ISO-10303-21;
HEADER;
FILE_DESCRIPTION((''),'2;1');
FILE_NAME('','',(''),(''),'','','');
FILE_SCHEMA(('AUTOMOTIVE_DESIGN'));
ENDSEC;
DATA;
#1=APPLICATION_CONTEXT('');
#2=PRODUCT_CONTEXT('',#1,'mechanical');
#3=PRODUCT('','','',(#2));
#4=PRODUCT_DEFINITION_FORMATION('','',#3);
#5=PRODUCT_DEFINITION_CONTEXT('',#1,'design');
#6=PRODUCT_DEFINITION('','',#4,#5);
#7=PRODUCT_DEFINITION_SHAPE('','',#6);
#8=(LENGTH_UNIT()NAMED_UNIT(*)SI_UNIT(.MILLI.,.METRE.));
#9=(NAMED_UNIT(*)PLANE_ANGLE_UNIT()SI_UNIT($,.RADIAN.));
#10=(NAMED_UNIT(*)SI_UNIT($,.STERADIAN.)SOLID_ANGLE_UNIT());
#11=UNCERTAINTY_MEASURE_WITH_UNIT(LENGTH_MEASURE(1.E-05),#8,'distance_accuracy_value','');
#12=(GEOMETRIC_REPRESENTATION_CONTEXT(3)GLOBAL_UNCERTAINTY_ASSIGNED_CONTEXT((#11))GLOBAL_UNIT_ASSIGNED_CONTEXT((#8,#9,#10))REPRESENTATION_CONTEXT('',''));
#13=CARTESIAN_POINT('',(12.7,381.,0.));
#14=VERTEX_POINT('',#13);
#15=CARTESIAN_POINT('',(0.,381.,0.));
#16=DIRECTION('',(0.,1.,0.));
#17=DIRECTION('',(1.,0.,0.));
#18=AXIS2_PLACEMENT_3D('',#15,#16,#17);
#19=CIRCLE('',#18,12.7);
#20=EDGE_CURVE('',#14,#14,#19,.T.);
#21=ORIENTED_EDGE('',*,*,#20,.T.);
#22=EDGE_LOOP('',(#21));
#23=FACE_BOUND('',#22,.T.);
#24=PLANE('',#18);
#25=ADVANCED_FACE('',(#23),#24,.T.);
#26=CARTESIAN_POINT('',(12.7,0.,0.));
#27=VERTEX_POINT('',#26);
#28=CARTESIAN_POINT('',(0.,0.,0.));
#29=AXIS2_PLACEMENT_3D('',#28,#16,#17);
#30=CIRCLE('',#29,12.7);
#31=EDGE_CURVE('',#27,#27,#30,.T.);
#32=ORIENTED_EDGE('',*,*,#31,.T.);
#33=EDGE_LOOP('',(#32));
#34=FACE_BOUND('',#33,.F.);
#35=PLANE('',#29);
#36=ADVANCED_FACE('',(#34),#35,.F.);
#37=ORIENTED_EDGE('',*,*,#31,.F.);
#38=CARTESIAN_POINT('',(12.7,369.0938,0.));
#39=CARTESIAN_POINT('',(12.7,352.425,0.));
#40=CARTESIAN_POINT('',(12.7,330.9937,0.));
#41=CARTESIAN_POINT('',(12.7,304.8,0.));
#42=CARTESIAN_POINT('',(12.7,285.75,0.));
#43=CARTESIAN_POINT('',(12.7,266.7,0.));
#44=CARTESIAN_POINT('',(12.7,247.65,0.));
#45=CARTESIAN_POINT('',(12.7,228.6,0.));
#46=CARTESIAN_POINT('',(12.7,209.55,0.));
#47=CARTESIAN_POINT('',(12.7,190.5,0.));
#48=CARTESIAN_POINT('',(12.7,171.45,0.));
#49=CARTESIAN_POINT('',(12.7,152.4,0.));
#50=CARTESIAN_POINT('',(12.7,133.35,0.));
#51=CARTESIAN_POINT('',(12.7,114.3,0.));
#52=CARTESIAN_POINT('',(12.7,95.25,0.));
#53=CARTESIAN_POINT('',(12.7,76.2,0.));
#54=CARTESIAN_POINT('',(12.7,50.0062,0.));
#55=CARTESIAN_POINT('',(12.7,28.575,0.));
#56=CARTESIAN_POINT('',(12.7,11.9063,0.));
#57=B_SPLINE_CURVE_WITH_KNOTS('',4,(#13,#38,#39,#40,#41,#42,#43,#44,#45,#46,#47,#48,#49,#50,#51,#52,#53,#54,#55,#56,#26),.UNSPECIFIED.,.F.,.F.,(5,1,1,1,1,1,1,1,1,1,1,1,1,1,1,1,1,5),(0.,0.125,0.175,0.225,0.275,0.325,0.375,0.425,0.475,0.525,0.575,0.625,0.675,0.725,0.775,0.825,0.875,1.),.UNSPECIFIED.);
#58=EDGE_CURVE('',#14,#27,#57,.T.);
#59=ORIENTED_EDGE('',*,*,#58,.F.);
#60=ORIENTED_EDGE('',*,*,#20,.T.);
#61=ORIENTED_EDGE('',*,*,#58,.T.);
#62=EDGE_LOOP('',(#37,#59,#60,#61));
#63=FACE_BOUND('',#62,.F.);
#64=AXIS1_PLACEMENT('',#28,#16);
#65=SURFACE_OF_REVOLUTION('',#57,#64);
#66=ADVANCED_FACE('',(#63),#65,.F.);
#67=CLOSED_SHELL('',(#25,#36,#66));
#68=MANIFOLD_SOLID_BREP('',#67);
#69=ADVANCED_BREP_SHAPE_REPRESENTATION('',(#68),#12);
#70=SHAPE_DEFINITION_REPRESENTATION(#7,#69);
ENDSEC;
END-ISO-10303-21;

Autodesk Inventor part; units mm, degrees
ref_plane "YZ Plane" through (0, 0, 0) normal (1, 0, 0) x (0, 1, 0)
ref_plane "XZ Plane" through (0, 0, 0) normal (0, 1, 0) x (-1, 0, 0)
ref_plane "XY Plane" through (0, 0, 0) normal (0, 0, 1) x (1, 0, 0)
sketch "bore revolve" plane through (0, 0, 0) normal (0, 0, 1) x (1, 0, 0)
  line L0 (12.7, 381) -> (0, 381)
  line L1 (12.7, 0) -> (0, 0)
  line L2 (0, 0) -> (0, 381)
  spline S0 degree 4 poles (12.7, 381) (12.7, 369.0938) (12.7, 352.425) (12.7, 330.9937) (12.7, 304.8) (12.7, 285.75) (12.7, 266.7) (12.7, 247.65) (12.7, 228.6) (12.7, 209.55) (12.7, 190.5) (12.7, 171.45) (12.7, 152.4) (12.7, 133.35) (12.7, 114.3) (12.7, 95.25) (12.7, 76.2) (12.7, 50.0062) (12.7, 28.575) (12.7, 11.9063) (12.7, 0) knots 0 0 0 0 0 0.125 0.175 0.225 0.275 0.325 0.375 0.425 0.475 0.525 0.575 0.625 0.675 0.725 0.775 0.825 0.875 1 1 1 1 1
  point P0 (0, 19.05)
  point P1 (0, 38.1)
  point P2 (0, 57.15)
  point P3 (0, 76.2)
  point P4 (0, 95.25)
  point P5 (0, 114.3)
  point P6 (0, 133.35)
  point P7 (0, 152.4)
  point P8 (0, 171.45)
  point P9 (0, 190.5)
  point P10 (0, 209.55)
  point P11 (0, 228.6)
  point P12 (0, 247.65)
  point P13 (0, 266.7)
  point P14 (0, 285.75)
  point P15 (0, 304.8)
  point P16 (0, 323.85)
  point P17 (0, 342.9)
  point P18 (0, 361.95)
  point P19 (0, 381)
  point P20 (12.7, 361.95)
  point P21 (12.7, 342.9)
  point P22 (12.7, 323.85)
  point P23 (12.7, 304.8)
  point P24 (12.7, 285.75)
  point P25 (12.7, 266.7)
  point P26 (12.7, 247.65)
  point P27 (12.7, 228.6)
  point P28 (12.7, 209.55)
  point P29 (12.7, 190.5)
  point P30 (12.7, 171.45)
  point P31 (12.7, 152.4)
  point P32 (12.7, 133.35)
  point P33 (12.7, 114.3)
  point P34 (12.7, 95.25)
  point P35 (12.7, 76.2)
  point P36 (12.7, 57.15)
  point P37 (12.7, 38.1)
  point P38 (12.7, 19.05)
  point P39 (0, 190.5)
  dimension "r0" = 12.7
  dimension "x" = 381
  dimension "d5" = 19.05
  dimension "d11" = 19.05
  dimension "r1" = 12.7
  dimension "r2" = 12.7
  dimension "r3" = 12.7
  dimension "r4" = 12.7
  dimension "r5" = 12.7
  dimension "r6" = 12.7
  dimension "r7" = 12.7
  dimension "r8" = 12.7
  dimension "r9" = 12.7
  dimension "r10" = 12.7
  dimension "r11" = 12.7
  dimension "r12" = 12.7
  dimension "r13" = 12.7
  dimension "r14" = 12.7
  dimension "r15" = 12.7
  dimension "r16" = 12.7
  dimension "r17" = 12.7
  dimension "r18" = 12.7
  dimension "r19" = 12.7
  dimension "r20" = 12.7
revolve "Revolution1" add sketch "bore revolve" angle 360 about axis through (0, 0, 0) along (0, 1, 0)
equation "\"d5\" = 0.05 * x"
equation "\"d11\" = 0.05 * x"
properties part number "bore template"
